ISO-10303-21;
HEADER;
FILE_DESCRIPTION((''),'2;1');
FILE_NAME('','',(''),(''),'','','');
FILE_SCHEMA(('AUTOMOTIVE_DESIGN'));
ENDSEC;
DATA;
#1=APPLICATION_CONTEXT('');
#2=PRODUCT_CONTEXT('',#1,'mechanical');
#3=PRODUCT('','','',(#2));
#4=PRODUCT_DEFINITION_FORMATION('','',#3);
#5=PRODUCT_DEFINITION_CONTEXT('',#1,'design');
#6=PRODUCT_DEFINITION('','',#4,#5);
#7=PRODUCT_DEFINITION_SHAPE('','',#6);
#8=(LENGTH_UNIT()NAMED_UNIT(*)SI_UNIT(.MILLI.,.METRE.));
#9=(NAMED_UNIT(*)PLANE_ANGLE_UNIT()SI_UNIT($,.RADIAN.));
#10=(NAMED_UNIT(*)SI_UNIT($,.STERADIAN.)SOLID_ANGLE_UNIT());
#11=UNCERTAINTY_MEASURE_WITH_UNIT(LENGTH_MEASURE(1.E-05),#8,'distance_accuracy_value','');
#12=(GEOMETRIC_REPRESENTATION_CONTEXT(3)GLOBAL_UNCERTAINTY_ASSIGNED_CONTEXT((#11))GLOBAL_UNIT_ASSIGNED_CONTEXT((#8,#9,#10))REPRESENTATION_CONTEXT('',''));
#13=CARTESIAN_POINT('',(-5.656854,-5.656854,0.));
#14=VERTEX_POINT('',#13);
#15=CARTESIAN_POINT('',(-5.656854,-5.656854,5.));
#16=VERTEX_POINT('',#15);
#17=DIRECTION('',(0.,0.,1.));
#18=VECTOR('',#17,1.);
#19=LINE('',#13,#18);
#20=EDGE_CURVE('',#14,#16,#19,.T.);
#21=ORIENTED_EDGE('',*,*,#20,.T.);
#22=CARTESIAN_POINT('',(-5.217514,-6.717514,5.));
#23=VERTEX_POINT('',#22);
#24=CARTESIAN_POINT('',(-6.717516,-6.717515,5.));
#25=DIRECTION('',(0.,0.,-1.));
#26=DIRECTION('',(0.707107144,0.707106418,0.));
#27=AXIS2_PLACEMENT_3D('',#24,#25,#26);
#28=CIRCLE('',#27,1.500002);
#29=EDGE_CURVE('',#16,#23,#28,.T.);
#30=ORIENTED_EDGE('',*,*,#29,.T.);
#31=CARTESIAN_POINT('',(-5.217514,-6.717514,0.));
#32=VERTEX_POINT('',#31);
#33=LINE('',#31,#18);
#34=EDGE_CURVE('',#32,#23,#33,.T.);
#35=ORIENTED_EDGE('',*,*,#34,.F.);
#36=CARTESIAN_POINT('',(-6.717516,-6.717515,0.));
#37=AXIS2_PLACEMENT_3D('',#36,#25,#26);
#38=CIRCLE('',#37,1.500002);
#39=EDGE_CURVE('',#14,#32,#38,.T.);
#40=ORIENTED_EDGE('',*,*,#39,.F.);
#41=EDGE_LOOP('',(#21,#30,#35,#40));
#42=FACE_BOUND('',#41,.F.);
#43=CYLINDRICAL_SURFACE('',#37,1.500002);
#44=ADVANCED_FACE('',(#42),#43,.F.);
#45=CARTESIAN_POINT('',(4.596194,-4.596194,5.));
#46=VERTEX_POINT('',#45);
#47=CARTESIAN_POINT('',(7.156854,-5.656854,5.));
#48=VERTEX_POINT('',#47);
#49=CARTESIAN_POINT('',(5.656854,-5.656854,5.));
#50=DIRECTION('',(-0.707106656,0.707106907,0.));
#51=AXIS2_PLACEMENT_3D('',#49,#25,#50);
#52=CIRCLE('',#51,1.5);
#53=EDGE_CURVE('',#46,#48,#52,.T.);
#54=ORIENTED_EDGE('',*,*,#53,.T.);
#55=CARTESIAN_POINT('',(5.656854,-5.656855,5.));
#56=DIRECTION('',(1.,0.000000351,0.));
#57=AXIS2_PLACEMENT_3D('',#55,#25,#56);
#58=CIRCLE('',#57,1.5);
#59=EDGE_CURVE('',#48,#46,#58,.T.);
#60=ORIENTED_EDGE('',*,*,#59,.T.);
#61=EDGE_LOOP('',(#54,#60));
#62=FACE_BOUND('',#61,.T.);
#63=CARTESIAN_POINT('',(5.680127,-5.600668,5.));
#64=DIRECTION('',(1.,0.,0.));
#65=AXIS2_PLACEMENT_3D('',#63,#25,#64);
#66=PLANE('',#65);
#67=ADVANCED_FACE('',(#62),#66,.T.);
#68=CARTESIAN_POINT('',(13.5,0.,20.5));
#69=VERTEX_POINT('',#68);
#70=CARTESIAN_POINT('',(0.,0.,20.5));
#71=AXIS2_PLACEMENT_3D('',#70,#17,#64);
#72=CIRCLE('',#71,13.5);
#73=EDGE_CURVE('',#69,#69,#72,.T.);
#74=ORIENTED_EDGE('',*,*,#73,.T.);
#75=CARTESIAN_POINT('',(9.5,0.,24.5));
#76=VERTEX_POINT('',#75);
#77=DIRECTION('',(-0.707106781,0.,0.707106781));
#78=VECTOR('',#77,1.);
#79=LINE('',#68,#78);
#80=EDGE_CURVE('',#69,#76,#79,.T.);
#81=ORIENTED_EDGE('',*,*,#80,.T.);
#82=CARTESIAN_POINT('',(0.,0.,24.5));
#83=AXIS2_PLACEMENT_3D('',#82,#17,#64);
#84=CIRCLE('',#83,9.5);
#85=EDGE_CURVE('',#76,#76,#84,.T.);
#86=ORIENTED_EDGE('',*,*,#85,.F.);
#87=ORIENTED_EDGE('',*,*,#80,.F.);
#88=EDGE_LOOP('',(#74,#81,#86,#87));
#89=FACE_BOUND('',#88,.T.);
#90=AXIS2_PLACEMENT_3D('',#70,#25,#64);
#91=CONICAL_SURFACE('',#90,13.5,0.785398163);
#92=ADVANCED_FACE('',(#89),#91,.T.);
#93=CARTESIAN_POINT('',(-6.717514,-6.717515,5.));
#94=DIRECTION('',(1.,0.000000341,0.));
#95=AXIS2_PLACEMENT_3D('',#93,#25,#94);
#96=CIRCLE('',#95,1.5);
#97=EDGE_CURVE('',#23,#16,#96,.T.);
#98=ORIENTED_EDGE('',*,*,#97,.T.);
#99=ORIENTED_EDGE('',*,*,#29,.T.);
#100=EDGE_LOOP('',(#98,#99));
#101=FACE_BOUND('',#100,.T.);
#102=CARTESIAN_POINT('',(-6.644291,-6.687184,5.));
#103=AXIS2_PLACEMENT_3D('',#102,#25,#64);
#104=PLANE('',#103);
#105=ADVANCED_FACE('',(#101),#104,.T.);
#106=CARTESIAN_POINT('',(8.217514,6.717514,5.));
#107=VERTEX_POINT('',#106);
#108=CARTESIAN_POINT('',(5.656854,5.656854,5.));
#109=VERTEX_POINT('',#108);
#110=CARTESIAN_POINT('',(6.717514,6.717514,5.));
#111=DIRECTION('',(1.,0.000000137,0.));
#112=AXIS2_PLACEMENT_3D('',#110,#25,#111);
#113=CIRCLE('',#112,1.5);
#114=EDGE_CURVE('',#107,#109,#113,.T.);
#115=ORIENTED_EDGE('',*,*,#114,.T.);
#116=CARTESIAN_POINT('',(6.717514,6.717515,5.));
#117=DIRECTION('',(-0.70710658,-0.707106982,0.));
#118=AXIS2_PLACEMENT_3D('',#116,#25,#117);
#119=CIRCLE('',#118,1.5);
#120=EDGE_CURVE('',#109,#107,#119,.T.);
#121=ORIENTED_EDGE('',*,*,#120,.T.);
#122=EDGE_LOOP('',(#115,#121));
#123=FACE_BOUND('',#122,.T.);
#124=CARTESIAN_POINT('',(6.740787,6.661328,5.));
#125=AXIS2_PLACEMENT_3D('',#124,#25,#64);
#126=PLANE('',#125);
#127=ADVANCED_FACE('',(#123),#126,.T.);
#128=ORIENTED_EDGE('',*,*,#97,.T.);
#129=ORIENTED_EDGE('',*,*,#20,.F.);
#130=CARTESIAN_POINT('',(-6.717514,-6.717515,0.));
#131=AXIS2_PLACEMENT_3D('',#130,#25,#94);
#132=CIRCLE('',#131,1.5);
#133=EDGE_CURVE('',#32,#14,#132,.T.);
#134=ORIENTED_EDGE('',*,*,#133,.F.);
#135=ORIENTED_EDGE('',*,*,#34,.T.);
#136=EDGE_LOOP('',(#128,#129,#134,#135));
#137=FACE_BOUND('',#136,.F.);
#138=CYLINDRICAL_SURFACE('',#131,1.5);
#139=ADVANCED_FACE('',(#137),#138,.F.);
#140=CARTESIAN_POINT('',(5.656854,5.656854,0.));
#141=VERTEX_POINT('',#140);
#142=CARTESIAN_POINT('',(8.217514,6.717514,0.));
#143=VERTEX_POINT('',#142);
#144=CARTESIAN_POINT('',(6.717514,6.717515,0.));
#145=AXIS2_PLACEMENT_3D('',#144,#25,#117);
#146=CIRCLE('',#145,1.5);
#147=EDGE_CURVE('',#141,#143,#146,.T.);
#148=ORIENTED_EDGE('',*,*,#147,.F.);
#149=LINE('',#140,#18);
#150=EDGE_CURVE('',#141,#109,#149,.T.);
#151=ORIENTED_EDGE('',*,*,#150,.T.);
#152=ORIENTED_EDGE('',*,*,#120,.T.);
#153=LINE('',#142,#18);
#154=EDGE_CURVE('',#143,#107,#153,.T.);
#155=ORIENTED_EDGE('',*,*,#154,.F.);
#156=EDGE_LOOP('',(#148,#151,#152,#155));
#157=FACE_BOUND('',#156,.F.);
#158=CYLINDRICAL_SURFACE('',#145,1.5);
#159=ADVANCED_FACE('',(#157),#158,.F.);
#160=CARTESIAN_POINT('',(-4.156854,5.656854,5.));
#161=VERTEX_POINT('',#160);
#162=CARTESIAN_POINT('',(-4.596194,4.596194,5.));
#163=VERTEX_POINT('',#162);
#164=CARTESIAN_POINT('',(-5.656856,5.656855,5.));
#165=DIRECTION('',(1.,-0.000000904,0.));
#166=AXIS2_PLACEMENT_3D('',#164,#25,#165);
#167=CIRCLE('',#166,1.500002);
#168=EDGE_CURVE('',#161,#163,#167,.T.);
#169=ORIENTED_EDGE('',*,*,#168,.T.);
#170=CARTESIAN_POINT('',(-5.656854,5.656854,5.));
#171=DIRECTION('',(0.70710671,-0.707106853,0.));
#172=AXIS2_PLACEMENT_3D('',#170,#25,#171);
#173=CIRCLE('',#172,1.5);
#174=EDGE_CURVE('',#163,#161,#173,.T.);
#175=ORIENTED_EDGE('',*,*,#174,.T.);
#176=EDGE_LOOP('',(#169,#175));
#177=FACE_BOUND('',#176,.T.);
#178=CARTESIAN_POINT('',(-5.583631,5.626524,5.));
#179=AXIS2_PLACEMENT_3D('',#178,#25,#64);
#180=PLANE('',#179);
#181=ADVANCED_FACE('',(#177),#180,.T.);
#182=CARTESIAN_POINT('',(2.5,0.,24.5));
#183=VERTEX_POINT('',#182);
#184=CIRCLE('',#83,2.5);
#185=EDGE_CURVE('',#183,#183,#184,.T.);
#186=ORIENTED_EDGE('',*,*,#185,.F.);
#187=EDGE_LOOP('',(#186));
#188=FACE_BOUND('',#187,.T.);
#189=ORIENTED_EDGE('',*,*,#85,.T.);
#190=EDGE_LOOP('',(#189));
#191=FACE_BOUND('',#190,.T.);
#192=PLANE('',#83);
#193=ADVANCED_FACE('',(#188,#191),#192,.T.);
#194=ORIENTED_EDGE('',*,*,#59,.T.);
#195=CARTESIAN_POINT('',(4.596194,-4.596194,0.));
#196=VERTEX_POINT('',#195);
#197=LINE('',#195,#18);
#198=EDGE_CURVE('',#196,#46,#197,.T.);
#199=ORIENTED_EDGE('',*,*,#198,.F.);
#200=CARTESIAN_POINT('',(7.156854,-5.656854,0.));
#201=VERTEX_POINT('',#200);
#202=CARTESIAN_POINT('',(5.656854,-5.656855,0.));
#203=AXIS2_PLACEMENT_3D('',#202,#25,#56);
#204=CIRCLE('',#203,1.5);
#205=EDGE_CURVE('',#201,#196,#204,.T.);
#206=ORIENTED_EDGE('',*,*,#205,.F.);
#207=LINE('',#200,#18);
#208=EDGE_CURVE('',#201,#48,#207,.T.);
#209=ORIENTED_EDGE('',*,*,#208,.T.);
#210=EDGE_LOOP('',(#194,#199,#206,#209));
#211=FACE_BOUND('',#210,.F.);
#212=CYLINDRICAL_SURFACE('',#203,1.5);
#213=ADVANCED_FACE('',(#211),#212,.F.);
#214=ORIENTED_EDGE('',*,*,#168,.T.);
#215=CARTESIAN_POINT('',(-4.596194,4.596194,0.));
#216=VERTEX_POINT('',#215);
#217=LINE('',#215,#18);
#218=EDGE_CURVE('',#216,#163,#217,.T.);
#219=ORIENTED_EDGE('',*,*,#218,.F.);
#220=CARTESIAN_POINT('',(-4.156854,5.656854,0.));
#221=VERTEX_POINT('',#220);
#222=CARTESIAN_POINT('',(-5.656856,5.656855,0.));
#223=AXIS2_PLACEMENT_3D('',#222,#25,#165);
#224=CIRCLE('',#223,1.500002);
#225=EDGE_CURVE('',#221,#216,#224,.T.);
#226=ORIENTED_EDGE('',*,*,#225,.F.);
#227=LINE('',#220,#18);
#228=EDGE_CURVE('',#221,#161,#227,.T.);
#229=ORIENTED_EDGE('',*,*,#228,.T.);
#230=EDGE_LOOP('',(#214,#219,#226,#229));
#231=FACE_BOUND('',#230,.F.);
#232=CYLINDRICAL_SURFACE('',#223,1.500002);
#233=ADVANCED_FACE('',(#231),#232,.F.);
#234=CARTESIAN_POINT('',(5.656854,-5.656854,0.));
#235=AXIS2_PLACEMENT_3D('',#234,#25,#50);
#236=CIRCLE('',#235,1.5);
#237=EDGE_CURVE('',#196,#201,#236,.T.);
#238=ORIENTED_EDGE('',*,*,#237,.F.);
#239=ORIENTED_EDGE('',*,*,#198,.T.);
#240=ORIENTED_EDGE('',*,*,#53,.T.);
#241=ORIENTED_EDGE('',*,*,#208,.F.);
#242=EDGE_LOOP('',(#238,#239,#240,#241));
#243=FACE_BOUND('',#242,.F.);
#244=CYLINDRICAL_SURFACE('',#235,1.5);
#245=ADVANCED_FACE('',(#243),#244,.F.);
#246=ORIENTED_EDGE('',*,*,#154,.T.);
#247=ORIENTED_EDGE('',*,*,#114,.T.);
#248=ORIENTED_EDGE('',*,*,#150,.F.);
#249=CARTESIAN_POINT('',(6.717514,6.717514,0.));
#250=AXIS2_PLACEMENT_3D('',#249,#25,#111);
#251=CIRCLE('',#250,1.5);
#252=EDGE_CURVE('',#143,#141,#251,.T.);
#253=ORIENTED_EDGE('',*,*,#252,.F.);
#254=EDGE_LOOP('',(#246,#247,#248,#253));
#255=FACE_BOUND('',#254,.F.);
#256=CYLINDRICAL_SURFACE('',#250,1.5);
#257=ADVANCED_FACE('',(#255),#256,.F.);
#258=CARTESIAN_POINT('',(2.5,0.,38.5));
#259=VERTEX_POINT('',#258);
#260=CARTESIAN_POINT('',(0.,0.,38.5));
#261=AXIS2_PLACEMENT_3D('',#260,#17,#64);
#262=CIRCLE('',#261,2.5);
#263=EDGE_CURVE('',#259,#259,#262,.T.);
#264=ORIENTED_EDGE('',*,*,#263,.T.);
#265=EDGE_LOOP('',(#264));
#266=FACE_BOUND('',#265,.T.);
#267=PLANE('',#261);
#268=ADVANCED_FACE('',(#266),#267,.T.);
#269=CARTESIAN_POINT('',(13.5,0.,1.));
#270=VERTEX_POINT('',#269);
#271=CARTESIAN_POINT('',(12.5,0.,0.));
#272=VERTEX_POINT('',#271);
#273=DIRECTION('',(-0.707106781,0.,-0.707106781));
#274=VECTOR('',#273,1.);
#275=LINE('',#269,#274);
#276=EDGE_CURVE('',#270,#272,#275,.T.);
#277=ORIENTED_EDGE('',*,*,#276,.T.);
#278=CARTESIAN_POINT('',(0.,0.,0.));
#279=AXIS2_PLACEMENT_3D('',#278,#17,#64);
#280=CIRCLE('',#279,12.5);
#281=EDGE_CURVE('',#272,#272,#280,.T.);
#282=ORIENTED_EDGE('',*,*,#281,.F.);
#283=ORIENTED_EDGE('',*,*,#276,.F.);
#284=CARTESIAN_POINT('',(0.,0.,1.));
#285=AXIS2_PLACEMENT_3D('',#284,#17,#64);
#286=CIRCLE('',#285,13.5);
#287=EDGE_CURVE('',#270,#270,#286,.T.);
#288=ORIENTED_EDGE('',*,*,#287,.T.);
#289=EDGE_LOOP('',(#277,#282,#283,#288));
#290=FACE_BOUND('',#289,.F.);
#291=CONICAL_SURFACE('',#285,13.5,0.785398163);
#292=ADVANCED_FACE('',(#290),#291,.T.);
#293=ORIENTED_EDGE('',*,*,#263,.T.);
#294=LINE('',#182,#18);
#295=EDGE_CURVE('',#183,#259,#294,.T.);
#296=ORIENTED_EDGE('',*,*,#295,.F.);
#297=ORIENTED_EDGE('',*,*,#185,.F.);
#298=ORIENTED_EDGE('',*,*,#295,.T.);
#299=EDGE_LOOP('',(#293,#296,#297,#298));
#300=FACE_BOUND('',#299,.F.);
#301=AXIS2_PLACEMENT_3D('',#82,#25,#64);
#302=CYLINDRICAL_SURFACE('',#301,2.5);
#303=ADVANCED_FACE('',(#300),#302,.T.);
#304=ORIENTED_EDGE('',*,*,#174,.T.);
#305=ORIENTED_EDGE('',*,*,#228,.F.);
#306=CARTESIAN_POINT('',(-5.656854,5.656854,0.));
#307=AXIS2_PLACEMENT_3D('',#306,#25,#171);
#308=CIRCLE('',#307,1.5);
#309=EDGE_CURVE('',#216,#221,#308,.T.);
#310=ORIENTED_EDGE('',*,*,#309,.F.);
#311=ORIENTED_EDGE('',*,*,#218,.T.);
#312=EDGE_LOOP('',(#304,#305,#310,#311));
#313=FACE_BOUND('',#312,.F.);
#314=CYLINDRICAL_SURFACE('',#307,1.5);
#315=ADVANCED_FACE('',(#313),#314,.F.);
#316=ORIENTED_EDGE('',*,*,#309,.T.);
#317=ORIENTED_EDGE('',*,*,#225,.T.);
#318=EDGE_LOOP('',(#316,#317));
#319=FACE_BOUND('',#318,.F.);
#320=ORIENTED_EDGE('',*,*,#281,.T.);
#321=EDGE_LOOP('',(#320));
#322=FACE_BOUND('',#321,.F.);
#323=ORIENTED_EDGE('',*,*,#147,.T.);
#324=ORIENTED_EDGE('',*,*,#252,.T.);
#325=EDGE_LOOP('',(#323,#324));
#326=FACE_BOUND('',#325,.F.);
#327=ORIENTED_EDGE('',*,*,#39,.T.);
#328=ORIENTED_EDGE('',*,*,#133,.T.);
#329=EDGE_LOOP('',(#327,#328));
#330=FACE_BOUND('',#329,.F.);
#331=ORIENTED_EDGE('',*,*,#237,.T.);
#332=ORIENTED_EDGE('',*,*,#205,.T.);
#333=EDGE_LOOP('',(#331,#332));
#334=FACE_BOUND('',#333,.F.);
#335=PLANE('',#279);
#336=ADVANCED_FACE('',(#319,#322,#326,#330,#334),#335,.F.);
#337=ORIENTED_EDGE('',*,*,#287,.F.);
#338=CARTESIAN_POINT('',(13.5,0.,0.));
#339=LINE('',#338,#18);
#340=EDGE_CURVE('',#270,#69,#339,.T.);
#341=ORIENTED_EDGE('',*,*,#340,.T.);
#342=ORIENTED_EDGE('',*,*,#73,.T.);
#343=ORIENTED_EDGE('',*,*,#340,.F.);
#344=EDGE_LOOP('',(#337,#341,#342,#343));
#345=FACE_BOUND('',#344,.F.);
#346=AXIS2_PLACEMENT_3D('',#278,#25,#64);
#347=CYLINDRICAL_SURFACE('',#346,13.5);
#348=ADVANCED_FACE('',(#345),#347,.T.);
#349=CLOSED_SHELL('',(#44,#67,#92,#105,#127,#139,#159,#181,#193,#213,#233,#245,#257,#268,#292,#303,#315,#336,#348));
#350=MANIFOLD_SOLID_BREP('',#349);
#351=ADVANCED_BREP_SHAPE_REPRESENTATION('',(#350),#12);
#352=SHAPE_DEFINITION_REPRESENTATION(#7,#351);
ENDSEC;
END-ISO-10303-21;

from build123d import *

# Parameters (mm, degrees)
F0_R     = 13.5
F1_DEPTH = 24.5
F2_R     = 2.5
F3_DEPTH = 14
F5_DEPTH = 5
F6_SIZE  = 1
F7_SIZE  = 4


with BuildPart() as f1:
    # F0 (on Top) → F1 (new body)
    with BuildSketch(Plane.XY):
        Circle(F0_R)
    extrude(amount=F1_DEPTH)

    # F2 (on face) → F3 (join)
    with BuildSketch(Plane.XY.offset(24.5)):
        Circle(F2_R)
    extrude(amount=F3_DEPTH)

    # F4 (on face) → F5 (cut)
    with BuildSketch(Plane(origin=(0, 0, 0), x_dir=(1, 0, 0), z_dir=(0, 0, -1))):
        with BuildLine():
            ThreePointArc((8.217514, -6.717514), (7.29154, -5.331695), (5.656854, -5.656854))
            ThreePointArc((5.656854, -5.656854), (6.143489, -8.103334), (8.217514, -6.717514))
        make_face()
        with BuildLine():
            ThreePointArc((-5.217514, 6.717514), (-8.103334, 7.29154), (-5.656854, 5.656854))
            ThreePointArc((-5.656854, 5.656854), (-5.331695, 6.143489), (-5.217514, 6.717514))
        make_face()
        with BuildLine():
            ThreePointArc((7.156854, 5.656854), (5.082829, 7.042674), (4.596194, 4.596194))
            ThreePointArc((4.596194, 4.596194), (6.230879, 4.271035), (7.156854, 5.656854))
        make_face()
        with BuildLine():
            ThreePointArc((-4.156854, -5.656854), (-4.271035, -5.082829), (-4.596194, -4.596194))
            ThreePointArc((-4.596194, -4.596194), (-7.042674, -6.230879), (-4.156854, -5.656854))
        make_face()
    extrude(amount=-F5_DEPTH, mode=Mode.SUBTRACT)

    # F6
    f6_edges = [f1.edges().sort_by_distance(p)[0] for p in [
        (-13.5, 0, 0),
    ]]
    chamfer(f6_edges, length=F6_SIZE)

    # F7
    f7_edges = [f1.edges().sort_by_distance(p)[0] for p in [
        (-13.5, 0, 24.5),
    ]]
    chamfer(f7_edges, length=F7_SIZE)


solid = f1.part
